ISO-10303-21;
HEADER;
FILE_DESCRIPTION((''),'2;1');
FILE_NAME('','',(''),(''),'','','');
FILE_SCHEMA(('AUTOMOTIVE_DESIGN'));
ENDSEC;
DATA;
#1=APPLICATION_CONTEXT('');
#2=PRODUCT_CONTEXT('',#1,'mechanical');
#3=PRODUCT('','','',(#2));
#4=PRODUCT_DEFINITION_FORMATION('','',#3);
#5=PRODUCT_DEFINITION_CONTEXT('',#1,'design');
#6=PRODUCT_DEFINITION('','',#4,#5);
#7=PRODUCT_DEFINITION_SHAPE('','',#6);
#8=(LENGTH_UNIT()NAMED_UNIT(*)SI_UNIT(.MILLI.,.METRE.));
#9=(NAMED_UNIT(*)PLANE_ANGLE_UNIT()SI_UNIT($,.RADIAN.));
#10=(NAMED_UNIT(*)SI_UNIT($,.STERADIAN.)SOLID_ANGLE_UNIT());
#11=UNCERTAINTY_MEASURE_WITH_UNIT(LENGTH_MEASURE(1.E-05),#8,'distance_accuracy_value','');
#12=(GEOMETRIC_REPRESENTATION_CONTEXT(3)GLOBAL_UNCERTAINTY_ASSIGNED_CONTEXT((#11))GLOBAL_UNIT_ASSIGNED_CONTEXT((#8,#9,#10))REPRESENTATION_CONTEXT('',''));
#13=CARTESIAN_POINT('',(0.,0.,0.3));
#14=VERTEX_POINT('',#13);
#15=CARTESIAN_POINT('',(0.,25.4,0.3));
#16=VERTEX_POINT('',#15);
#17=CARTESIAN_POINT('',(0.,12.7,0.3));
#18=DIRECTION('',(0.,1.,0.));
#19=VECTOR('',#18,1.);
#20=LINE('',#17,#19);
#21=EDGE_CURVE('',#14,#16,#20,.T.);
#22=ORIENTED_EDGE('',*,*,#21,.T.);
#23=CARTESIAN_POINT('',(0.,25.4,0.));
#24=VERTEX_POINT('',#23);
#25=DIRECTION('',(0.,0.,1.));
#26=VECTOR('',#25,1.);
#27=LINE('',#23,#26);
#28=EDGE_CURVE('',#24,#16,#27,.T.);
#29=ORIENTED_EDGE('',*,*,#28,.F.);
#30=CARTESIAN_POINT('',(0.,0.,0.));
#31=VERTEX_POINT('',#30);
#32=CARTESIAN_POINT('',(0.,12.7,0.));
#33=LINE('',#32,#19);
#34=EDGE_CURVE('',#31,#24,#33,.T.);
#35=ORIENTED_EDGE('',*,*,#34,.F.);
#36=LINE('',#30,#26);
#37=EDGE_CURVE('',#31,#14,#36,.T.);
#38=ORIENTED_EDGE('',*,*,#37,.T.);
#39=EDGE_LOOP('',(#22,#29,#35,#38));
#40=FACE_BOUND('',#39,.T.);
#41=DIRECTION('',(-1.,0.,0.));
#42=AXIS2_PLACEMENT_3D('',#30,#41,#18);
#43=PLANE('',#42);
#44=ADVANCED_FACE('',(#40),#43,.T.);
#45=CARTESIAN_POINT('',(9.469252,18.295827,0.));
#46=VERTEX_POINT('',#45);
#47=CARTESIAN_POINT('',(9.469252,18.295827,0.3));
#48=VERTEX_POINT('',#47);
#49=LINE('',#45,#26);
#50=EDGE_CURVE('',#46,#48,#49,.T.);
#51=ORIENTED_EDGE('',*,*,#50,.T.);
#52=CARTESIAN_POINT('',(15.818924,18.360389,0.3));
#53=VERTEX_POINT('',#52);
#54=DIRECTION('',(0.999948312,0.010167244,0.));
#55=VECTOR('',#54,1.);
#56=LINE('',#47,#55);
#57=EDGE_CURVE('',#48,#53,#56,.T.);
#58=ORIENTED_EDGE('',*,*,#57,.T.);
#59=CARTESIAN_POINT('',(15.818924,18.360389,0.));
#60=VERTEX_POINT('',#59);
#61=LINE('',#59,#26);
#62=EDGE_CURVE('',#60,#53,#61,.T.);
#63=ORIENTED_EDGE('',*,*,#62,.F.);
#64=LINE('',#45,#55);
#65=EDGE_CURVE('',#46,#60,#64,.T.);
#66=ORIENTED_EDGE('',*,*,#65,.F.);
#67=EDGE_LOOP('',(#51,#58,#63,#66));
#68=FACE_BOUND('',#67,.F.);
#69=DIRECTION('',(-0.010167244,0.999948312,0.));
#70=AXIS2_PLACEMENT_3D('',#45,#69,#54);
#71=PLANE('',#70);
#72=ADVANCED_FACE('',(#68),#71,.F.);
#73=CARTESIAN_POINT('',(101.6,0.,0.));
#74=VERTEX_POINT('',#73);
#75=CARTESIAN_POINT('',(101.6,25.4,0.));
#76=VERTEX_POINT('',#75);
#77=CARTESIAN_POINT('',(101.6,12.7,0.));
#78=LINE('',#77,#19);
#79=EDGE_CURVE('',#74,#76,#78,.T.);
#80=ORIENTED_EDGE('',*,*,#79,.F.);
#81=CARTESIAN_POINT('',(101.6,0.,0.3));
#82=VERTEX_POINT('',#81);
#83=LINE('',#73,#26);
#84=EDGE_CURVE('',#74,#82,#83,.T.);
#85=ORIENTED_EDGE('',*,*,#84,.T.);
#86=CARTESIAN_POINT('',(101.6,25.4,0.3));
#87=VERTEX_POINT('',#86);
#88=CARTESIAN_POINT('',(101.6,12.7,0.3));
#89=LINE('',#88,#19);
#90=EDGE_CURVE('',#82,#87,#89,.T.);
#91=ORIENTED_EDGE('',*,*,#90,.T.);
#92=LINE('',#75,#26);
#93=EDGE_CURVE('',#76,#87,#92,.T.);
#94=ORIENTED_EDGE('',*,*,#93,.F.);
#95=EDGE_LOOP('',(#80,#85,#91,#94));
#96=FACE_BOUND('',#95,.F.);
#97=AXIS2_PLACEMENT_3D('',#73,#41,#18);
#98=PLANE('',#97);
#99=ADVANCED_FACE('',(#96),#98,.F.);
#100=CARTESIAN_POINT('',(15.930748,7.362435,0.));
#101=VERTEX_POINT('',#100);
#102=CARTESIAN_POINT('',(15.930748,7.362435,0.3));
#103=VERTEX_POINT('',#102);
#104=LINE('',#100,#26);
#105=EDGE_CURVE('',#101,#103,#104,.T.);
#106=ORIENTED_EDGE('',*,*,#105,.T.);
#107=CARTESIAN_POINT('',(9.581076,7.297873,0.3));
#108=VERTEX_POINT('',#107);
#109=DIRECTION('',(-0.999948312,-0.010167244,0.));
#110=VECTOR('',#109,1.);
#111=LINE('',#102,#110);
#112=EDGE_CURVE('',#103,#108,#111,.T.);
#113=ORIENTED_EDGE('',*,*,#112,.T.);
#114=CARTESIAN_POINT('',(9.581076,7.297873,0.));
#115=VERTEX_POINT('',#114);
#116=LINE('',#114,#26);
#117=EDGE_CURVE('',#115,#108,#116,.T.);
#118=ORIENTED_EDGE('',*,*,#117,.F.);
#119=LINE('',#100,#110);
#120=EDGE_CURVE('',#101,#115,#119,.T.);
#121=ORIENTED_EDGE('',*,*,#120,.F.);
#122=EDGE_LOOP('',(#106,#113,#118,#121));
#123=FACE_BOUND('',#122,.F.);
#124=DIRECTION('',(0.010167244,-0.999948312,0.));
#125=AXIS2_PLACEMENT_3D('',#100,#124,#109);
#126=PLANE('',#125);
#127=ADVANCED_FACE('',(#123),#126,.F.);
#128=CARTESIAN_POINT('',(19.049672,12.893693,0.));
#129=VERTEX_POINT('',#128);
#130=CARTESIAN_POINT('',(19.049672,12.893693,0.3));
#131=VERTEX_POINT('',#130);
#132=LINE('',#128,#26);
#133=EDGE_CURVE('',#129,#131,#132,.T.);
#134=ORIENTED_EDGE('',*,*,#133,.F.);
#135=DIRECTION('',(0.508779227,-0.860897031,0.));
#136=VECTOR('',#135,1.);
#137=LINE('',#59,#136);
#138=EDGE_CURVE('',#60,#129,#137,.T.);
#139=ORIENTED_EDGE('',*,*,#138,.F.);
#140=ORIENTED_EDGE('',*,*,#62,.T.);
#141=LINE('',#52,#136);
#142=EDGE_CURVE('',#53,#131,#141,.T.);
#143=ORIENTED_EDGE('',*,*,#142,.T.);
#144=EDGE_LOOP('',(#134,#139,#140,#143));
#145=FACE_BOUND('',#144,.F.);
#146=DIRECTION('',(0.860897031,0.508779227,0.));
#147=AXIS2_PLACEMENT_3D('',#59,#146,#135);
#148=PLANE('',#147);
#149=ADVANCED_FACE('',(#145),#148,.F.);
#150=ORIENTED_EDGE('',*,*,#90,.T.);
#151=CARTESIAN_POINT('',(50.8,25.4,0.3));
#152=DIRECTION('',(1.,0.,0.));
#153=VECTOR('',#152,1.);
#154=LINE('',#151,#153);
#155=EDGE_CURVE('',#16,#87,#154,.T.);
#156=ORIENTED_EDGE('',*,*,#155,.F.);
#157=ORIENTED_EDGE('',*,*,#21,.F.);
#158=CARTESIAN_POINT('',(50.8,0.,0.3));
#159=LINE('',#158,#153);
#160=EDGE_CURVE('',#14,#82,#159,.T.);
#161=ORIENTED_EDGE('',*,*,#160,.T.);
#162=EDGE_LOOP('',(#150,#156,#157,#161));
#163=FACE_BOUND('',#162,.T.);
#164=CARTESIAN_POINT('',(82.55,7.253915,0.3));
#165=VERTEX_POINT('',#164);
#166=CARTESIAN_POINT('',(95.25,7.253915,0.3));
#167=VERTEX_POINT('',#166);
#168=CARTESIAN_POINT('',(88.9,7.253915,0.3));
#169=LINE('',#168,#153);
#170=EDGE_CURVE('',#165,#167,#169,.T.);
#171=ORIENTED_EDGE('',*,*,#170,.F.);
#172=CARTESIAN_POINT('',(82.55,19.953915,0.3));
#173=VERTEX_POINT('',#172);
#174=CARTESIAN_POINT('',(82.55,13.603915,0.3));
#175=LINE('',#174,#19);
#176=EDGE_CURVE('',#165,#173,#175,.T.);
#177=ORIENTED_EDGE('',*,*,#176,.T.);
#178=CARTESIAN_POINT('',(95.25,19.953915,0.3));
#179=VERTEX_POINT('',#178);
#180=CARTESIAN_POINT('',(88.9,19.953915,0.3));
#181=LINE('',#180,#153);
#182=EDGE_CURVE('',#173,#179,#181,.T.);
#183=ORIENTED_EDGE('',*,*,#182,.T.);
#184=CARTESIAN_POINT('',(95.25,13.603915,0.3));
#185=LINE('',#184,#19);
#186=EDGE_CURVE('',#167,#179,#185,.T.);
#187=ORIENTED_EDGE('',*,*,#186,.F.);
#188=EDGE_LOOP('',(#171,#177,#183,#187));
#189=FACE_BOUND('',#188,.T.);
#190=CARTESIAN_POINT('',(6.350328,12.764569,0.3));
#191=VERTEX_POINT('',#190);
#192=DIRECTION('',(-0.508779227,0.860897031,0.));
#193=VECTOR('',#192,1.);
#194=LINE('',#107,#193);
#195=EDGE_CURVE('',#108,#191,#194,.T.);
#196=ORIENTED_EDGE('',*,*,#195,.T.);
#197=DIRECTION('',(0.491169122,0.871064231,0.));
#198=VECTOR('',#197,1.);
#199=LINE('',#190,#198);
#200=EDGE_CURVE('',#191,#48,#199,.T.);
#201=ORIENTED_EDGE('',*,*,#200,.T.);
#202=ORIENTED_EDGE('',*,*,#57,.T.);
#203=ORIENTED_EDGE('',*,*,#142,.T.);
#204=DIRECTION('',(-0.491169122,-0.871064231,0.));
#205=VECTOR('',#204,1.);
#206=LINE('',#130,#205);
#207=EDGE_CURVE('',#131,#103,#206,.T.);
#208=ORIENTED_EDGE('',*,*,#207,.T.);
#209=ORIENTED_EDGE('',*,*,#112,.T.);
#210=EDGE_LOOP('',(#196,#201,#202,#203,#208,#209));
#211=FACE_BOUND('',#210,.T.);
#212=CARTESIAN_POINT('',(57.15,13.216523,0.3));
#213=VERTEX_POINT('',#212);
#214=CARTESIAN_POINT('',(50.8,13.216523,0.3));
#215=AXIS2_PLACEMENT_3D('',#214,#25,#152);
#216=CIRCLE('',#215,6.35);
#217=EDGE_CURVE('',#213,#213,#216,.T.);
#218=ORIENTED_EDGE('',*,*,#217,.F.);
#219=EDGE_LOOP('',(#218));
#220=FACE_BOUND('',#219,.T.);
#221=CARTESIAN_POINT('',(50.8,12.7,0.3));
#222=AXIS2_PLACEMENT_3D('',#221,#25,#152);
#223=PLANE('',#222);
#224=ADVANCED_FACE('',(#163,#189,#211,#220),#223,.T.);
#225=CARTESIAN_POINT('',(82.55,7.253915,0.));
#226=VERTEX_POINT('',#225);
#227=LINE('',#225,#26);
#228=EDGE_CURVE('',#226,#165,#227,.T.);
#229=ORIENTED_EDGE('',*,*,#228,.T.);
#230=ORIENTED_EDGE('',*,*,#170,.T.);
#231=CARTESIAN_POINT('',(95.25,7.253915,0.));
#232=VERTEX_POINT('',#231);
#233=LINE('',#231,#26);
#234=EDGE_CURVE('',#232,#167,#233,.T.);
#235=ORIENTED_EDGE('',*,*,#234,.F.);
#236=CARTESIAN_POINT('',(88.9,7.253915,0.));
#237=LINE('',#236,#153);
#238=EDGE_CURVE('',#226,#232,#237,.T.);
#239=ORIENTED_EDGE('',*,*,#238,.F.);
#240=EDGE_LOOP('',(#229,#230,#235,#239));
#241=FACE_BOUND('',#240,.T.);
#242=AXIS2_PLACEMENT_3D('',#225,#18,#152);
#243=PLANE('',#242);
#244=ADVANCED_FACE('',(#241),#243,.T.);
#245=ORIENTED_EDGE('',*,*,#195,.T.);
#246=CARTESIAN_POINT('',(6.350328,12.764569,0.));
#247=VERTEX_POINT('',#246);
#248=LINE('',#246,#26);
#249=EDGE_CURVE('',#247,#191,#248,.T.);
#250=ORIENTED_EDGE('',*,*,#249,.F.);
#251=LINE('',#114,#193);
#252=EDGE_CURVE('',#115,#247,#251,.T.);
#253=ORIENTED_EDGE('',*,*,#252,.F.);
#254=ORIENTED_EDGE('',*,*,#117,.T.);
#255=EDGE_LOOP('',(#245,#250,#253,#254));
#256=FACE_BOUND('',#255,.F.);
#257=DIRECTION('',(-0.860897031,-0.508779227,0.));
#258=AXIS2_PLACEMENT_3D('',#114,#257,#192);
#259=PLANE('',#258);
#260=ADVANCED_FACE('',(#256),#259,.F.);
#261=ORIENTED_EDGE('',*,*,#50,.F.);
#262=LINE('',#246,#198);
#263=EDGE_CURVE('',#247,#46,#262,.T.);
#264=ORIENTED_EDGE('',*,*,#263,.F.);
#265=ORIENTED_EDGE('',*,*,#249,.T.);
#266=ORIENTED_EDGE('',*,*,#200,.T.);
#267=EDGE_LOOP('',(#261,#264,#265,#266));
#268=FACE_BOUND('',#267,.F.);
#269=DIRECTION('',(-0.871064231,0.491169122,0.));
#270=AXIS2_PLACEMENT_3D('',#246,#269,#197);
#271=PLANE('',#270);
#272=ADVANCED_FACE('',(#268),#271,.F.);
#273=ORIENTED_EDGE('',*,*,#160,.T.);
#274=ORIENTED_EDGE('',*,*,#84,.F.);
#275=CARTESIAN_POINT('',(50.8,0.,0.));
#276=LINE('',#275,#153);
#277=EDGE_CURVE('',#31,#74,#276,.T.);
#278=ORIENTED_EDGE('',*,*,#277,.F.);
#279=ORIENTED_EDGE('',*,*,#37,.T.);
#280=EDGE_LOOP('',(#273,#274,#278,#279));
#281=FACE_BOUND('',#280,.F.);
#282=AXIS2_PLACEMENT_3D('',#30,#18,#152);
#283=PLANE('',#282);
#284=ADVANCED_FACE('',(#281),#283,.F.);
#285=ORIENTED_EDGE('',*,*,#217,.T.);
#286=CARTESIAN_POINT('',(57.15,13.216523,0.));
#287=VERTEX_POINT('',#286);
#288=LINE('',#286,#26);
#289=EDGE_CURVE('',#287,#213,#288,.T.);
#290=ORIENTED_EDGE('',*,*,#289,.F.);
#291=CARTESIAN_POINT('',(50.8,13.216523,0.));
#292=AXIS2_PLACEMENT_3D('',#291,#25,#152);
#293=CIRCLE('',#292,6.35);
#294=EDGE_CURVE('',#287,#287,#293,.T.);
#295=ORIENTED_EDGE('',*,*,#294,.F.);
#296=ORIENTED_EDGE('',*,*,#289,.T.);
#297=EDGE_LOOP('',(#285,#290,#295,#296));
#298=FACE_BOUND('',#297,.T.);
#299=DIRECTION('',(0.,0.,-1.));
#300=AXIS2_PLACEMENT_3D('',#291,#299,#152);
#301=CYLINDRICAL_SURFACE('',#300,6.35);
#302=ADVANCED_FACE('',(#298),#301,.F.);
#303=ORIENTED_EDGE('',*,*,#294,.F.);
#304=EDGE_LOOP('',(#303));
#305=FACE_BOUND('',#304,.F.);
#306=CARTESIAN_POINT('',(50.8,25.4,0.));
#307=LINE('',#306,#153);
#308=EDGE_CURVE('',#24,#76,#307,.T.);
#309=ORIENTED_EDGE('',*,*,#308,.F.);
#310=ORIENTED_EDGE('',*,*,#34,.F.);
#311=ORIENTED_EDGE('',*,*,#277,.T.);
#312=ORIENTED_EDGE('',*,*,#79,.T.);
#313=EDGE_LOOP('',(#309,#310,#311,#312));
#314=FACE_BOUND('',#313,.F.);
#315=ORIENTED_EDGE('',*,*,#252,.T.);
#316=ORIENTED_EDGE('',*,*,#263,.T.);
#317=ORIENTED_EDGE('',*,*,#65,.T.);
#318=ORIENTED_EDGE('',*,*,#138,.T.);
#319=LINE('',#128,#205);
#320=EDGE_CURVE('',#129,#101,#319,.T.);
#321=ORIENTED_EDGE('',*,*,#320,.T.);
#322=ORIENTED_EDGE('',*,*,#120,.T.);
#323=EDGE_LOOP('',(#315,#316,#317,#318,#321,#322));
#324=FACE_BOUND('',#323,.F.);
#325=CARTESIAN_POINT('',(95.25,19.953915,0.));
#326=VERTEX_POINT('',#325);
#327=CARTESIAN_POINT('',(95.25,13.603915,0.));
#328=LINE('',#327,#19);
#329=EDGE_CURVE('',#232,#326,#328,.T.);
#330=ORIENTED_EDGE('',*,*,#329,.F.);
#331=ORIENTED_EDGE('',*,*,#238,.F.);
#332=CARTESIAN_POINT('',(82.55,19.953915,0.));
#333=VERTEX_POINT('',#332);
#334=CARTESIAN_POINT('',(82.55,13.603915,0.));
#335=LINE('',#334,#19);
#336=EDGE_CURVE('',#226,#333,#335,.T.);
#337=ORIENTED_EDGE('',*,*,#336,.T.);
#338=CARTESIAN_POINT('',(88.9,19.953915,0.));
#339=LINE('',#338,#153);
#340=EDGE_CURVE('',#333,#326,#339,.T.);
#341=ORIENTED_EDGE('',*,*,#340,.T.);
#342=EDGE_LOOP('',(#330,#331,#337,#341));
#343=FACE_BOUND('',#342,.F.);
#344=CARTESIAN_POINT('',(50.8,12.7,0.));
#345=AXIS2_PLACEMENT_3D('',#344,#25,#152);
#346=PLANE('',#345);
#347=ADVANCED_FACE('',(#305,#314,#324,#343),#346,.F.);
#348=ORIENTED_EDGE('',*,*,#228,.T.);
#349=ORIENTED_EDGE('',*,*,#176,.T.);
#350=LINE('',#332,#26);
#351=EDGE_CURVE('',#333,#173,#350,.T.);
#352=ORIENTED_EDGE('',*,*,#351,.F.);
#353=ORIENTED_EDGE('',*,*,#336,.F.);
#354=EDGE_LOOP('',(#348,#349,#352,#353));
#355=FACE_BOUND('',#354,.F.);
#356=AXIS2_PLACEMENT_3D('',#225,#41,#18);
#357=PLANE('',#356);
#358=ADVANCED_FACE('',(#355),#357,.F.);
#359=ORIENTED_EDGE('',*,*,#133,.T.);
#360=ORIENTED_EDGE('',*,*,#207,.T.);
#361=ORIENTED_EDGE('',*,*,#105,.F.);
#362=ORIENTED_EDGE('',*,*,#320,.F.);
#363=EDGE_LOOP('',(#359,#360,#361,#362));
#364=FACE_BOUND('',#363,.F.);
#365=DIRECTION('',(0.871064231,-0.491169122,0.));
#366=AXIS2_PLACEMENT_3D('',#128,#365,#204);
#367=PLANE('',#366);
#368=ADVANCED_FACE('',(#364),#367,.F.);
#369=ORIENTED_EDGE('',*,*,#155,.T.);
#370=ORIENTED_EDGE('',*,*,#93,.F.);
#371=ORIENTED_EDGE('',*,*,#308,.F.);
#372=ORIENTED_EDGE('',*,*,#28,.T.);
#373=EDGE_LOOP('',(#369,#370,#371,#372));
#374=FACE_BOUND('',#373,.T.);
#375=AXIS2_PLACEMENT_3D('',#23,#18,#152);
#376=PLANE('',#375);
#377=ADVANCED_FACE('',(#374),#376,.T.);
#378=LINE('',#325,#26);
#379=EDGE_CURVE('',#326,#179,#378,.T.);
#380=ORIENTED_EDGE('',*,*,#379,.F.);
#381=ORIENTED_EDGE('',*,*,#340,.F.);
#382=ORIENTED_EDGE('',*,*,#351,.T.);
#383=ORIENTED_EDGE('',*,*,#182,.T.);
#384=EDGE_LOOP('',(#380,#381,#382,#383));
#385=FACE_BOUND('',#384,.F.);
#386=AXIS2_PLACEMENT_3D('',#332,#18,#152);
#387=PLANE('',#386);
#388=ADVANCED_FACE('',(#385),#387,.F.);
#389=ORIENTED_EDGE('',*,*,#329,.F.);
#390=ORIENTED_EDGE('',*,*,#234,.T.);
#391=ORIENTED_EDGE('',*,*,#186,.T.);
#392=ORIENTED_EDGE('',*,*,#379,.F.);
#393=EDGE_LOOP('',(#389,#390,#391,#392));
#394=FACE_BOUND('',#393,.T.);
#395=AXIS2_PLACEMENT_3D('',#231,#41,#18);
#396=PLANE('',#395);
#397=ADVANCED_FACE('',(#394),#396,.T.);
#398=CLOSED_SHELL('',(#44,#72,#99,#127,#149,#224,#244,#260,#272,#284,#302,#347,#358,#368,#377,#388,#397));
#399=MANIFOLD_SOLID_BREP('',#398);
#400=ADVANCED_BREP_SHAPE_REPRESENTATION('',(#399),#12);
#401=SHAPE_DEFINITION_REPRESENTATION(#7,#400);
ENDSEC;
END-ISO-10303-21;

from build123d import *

# Parameters (mm, degrees)
F0_W     = 101.6
F0_H     = 25.4
F0_R     = 6.35
F0_W_2   = 12.7
F0_H_2   = 12.7
F1_DEPTH = 0.3


with BuildPart() as f1:
    # F0 (on Top) → F1 (new body)
    with BuildSketch(Plane.XY):
        with Locations((50.8, 12.7)):
            Rectangle(F0_W, F0_H)
        Polygon((9.469252, 18.295827), (15.818924, 18.360389), (19.049672, 12.893693), (15.930748, 7.362435), (9.581076, 7.297873), (6.350328, 12.764569), align=None, mode=Mode.SUBTRACT)
        with Locations((50.8, 13.216523)):
            Circle(F0_R, mode=Mode.SUBTRACT)
        with Locations((88.9, 13.603915)):
            Rectangle(F0_W_2, F0_H_2, mode=Mode.SUBTRACT)
    extrude(amount=F1_DEPTH)


solid = f1.part
